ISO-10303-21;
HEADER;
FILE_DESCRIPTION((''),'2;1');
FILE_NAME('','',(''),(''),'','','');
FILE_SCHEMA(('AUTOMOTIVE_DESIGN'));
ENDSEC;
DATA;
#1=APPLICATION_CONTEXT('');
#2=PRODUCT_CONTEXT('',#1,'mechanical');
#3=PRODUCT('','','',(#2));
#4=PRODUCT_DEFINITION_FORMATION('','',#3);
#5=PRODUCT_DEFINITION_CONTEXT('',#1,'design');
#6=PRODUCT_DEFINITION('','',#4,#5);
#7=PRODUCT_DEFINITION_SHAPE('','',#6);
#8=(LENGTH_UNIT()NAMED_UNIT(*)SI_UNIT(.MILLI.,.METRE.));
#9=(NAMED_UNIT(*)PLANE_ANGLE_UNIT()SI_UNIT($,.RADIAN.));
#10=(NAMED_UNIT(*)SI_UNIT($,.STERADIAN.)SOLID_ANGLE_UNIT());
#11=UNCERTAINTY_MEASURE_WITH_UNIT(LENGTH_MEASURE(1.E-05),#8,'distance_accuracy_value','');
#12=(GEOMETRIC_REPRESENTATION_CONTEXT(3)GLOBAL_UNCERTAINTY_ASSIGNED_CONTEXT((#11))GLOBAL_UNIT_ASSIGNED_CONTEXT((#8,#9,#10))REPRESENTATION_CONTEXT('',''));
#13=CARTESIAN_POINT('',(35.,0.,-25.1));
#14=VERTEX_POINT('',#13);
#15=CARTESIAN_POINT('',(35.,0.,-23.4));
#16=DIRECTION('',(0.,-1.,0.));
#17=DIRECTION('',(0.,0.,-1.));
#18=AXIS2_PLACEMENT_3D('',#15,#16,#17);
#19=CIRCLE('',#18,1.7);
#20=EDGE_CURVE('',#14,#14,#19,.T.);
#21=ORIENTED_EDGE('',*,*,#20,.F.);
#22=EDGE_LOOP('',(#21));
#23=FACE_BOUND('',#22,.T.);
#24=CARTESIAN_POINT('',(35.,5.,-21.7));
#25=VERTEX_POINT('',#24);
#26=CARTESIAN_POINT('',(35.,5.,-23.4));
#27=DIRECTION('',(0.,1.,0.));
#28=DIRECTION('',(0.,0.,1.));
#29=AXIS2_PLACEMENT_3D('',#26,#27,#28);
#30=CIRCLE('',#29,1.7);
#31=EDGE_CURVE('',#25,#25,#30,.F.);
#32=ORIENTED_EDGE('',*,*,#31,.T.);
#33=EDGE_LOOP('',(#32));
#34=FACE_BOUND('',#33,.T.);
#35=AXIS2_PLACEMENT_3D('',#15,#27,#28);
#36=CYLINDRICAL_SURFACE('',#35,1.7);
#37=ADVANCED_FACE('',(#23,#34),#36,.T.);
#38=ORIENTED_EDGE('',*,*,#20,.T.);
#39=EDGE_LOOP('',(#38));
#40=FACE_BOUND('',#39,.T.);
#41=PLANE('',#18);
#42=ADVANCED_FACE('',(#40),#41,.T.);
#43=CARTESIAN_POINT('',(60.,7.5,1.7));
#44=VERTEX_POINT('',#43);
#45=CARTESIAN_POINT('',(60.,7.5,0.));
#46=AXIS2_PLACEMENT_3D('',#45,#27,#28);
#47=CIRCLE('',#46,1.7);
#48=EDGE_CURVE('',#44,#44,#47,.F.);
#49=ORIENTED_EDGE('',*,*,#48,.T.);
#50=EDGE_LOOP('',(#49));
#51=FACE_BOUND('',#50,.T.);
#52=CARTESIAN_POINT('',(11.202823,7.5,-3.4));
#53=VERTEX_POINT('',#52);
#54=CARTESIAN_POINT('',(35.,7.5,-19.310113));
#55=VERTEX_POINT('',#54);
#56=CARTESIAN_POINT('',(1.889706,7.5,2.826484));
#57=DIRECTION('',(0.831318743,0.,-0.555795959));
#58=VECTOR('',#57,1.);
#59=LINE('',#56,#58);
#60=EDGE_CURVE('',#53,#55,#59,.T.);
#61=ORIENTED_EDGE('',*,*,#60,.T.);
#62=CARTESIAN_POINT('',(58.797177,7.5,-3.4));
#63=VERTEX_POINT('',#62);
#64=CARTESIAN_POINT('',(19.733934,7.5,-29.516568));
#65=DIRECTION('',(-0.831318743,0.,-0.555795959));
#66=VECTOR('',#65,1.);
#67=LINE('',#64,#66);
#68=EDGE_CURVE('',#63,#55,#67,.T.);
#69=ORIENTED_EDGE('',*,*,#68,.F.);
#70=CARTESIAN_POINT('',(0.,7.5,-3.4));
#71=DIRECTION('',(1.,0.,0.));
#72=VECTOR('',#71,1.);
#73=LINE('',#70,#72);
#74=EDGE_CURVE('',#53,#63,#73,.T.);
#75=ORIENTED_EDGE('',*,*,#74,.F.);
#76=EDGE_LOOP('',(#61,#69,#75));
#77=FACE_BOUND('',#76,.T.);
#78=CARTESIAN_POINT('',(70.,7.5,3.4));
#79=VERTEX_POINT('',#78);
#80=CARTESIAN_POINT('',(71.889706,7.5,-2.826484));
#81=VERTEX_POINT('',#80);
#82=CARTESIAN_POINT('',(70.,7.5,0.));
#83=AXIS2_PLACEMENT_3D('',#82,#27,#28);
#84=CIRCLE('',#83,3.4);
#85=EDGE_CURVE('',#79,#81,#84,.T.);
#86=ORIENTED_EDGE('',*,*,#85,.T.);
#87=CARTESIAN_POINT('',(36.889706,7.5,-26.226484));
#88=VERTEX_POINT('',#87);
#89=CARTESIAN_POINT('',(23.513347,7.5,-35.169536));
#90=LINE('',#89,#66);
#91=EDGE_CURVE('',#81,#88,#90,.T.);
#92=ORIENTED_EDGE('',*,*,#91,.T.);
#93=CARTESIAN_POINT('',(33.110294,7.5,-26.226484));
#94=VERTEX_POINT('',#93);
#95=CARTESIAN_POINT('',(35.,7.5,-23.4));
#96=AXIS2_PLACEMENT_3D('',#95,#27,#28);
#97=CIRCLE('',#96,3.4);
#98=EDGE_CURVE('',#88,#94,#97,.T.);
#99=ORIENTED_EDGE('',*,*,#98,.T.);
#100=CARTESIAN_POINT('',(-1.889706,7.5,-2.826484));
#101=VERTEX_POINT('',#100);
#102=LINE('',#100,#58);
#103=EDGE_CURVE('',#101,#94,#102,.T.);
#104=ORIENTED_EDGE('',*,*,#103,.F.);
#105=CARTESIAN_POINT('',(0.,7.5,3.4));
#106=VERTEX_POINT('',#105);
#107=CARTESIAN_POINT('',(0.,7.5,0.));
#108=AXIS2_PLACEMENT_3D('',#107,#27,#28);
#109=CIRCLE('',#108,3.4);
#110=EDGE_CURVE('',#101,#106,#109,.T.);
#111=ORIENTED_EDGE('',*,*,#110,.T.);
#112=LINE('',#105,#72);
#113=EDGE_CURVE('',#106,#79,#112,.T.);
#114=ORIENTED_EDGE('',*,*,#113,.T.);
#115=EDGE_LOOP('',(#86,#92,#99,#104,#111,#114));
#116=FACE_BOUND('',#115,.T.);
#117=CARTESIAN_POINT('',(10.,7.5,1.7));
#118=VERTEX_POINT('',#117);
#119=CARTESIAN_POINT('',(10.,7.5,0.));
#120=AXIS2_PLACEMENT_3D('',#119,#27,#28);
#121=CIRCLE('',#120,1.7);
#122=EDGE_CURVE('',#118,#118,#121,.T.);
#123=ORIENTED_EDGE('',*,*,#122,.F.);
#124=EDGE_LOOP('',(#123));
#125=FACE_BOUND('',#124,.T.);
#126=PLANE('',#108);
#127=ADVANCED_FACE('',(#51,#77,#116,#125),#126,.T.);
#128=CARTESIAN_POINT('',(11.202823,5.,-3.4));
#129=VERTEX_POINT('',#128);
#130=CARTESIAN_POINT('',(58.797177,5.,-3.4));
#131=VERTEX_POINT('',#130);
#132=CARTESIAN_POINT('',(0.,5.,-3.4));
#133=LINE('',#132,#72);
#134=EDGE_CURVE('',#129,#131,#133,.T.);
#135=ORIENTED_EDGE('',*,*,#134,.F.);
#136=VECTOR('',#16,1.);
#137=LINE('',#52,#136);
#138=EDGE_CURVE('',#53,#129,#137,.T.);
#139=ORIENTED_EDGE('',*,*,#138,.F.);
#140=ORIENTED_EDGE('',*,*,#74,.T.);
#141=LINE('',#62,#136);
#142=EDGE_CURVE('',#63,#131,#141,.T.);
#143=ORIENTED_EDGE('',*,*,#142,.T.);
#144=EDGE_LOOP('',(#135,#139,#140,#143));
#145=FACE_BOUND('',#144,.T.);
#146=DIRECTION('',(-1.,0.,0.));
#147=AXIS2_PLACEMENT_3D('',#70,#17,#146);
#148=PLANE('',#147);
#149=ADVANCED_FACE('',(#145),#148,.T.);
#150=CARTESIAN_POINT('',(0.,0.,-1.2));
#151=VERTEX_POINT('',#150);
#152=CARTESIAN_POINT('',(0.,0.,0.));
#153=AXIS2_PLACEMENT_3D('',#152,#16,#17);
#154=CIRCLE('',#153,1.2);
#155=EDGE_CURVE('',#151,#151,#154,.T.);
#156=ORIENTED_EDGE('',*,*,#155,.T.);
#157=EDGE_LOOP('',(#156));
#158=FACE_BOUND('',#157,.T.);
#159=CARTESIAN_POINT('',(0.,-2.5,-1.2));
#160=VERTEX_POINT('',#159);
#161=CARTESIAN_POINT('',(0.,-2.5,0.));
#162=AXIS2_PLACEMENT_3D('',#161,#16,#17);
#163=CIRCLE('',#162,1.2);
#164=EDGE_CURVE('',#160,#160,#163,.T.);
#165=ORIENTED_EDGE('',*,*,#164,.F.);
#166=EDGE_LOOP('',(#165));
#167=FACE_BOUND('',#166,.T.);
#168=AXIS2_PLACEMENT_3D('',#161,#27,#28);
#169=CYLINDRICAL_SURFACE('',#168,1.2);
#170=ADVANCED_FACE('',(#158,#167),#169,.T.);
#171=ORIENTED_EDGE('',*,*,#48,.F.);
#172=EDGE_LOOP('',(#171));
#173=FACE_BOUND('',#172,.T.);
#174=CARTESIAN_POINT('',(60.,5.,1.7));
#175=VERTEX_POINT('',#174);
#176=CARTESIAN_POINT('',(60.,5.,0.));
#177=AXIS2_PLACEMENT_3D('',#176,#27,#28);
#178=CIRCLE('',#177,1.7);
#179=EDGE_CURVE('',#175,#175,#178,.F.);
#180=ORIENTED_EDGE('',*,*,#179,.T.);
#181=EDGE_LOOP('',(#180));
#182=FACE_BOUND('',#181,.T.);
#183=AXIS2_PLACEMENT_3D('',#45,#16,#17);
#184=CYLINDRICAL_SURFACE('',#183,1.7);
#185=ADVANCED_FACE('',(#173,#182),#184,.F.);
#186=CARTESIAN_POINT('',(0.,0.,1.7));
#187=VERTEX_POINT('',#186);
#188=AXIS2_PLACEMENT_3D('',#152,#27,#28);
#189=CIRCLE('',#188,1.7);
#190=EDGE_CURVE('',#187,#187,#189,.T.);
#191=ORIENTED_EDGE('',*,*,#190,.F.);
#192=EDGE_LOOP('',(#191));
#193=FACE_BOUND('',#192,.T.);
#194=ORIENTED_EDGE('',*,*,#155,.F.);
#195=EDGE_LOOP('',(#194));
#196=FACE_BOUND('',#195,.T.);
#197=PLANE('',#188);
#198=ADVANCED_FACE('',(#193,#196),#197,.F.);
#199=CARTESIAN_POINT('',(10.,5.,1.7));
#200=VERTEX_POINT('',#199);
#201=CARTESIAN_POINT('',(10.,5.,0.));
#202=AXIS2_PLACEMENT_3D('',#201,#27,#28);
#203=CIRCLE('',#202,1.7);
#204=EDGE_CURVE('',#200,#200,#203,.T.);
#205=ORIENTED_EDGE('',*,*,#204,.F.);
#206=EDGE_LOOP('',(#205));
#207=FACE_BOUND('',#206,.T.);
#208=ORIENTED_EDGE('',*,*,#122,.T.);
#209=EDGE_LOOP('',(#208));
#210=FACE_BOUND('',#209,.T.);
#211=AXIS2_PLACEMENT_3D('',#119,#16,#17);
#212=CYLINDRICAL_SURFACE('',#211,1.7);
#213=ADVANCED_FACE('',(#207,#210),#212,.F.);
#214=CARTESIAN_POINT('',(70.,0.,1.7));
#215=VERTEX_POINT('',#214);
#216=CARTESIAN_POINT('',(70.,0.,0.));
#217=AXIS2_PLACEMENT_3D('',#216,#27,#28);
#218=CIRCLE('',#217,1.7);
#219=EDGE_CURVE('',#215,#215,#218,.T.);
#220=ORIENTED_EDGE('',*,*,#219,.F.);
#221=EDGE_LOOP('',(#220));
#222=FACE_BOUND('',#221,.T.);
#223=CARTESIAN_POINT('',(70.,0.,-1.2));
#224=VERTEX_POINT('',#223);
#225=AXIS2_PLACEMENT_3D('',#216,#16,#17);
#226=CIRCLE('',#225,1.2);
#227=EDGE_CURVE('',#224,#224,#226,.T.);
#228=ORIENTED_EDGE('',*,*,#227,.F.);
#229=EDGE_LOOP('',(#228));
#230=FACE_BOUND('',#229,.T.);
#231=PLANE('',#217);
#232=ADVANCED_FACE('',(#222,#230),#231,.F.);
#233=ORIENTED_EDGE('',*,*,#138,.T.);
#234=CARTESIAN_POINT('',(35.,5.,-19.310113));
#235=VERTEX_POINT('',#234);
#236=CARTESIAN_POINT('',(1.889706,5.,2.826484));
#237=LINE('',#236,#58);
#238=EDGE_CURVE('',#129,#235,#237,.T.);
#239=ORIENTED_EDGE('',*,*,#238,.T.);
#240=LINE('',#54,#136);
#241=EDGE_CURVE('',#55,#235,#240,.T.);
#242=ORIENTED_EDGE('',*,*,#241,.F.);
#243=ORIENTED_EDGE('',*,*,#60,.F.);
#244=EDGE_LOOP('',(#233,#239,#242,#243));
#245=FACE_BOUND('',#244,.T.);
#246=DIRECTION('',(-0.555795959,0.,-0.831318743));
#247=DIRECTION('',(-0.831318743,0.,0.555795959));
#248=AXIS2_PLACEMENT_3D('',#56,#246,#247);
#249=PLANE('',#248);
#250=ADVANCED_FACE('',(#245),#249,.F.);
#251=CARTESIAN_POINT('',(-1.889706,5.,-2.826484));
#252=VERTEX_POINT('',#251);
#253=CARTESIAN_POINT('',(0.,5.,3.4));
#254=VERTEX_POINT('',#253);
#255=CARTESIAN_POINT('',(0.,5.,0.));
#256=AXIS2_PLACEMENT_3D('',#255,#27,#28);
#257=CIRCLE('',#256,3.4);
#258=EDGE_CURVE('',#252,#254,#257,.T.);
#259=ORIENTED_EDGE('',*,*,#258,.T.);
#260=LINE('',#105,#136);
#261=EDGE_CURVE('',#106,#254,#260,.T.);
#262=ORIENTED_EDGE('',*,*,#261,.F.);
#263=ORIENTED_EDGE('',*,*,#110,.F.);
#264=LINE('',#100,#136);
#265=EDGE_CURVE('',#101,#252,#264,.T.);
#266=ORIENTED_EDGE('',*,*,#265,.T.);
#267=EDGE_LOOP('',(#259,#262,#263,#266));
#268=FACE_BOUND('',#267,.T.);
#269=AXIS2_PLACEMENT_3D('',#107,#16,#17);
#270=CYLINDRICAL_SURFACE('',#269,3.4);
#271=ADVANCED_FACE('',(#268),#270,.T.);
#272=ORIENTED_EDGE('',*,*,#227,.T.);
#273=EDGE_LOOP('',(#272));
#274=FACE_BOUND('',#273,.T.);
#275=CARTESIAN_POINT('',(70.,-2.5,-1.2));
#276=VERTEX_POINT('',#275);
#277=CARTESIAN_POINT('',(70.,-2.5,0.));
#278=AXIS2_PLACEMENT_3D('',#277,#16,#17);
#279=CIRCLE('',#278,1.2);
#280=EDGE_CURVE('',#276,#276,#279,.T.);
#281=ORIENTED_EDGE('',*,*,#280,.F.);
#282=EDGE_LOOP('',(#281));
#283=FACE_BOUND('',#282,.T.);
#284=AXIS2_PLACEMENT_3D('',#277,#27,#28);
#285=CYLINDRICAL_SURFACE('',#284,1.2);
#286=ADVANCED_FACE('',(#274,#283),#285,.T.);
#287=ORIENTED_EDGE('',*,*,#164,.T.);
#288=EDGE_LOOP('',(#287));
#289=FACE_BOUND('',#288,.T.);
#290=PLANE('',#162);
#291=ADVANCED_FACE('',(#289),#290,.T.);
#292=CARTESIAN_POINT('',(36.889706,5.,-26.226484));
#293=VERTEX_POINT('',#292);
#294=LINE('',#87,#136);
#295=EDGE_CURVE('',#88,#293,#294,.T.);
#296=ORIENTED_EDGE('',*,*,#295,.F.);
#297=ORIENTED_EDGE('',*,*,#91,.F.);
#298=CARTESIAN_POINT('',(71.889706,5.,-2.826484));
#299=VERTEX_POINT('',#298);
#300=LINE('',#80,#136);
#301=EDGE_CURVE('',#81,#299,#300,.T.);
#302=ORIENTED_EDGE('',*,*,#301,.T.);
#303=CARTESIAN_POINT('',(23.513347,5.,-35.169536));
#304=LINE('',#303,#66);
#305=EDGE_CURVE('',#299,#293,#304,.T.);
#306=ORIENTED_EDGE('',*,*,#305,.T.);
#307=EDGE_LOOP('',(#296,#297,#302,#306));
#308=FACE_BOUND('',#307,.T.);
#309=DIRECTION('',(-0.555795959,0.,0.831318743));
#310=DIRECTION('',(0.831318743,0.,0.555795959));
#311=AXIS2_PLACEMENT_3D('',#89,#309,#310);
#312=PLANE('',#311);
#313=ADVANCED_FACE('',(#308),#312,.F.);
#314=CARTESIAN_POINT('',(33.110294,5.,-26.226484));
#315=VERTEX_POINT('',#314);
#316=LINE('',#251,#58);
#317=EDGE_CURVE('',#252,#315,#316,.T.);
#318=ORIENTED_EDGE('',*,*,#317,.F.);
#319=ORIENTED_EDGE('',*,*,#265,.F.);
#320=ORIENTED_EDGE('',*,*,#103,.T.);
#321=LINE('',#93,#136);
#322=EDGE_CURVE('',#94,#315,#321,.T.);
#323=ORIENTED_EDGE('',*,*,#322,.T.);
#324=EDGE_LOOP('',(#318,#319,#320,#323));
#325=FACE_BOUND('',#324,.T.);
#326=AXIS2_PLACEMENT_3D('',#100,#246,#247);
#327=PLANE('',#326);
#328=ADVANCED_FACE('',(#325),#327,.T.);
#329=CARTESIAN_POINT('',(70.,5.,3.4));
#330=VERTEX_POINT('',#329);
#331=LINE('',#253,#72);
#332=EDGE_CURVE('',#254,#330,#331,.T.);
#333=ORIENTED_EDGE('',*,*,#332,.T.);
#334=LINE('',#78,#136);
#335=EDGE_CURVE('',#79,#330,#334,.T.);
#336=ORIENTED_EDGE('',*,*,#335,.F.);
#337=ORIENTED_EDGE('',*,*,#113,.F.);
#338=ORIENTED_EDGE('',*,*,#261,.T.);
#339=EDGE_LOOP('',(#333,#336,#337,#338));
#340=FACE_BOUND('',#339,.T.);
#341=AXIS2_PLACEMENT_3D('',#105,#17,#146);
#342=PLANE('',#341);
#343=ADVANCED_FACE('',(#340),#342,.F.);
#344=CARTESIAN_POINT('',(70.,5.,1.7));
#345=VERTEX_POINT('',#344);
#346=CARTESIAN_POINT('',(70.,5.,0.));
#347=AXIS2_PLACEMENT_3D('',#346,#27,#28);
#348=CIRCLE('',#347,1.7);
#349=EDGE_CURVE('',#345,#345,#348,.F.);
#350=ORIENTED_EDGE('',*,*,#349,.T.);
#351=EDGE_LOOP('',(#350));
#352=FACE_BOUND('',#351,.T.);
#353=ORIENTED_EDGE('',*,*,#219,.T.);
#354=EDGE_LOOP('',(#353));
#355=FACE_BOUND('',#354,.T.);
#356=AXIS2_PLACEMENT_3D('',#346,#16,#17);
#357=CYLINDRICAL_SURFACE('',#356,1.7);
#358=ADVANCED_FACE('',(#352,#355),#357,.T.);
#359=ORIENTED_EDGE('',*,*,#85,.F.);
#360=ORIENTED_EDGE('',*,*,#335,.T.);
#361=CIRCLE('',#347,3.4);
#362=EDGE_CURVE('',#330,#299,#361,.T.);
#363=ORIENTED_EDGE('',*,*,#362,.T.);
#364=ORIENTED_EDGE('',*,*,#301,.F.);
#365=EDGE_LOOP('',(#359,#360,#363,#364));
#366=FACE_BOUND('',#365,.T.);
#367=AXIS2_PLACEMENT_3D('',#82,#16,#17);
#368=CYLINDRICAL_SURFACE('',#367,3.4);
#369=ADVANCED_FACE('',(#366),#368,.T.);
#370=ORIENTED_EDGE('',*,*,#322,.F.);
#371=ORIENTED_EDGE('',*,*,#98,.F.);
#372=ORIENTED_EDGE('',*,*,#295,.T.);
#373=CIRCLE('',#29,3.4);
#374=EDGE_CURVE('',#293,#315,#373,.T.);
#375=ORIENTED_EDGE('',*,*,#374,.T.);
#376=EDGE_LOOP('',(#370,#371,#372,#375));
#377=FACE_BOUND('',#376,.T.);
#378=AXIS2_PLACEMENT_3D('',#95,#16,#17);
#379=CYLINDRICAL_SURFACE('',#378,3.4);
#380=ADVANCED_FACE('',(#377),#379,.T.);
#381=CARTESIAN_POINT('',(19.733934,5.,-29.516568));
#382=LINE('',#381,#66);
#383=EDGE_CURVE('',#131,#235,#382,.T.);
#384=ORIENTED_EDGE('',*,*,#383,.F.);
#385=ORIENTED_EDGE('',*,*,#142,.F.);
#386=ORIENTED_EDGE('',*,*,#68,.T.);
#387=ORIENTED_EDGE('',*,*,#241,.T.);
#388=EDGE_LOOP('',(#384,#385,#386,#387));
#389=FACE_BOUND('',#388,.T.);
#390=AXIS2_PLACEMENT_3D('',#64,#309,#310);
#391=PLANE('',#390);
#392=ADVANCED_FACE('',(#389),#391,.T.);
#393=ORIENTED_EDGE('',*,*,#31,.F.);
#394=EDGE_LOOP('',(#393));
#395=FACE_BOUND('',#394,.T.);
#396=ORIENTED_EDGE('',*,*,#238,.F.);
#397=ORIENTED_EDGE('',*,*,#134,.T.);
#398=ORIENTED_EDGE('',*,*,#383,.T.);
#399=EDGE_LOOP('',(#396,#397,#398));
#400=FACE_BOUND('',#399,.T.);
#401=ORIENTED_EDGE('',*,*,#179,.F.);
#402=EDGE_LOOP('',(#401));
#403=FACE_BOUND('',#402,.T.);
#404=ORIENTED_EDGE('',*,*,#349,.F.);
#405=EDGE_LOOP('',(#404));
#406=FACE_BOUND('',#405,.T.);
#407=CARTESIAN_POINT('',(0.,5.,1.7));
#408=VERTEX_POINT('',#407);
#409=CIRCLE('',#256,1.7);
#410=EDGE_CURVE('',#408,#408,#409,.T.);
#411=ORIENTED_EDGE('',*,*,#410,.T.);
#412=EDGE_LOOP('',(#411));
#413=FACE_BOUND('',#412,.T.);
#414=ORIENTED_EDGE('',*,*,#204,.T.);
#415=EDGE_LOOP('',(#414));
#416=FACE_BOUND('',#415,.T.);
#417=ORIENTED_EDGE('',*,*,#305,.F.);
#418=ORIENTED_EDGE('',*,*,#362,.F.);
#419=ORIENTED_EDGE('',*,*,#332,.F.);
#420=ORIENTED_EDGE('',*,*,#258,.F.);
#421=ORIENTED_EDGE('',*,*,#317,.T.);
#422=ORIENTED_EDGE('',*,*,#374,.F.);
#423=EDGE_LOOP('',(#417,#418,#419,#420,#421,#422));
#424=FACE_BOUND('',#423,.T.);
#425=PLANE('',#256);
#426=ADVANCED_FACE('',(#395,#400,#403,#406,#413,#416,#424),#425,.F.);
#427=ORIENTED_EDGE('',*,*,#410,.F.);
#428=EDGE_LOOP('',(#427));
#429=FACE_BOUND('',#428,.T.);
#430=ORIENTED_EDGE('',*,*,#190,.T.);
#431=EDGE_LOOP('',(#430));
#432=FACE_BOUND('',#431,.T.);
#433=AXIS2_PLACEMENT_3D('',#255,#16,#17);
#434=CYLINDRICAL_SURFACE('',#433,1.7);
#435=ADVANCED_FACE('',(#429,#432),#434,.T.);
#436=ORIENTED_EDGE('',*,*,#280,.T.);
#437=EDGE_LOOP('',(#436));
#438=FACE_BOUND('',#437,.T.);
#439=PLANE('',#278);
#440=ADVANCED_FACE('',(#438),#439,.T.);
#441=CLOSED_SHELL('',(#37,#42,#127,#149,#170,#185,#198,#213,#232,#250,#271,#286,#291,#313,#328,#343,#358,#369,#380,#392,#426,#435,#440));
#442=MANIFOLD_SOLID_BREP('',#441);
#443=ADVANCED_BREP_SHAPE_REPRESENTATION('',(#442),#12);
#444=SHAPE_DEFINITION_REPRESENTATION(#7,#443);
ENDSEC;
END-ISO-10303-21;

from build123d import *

# Parameters (mm, degrees)
SKETCH1_R             = 1.7
BOSS_EXTRUDE1_DEPTH   = 5
BOSS_EXTRUDE1_2_DEPTH = 5
SKETCH2_R             = 1.7
BOSS_EXTRUDE5_DEPTH   = 2.5
SKETCH3_R             = 1.2
BOSS_EXTRUDE6_DEPTH   = 2.5
SKETCH4_R             = 1.7
BOSS_EXTRUDE7_DEPTH   = 5


with BuildPart() as part:
    # Sketch1 → Boss-Extrude1 (new body)
    with BuildSketch(Plane(origin=(0, 0, 0), x_dir=(1, 0, 0), z_dir=(0, 1, 0))):
        with Locations(Location((0, 0, 0), (0, 0, 270))):
            Circle(SKETCH1_R)
    extrude(amount=BOSS_EXTRUDE1_DEPTH)



with BuildPart() as body_2:
    # Sketch1 → Boss-Extrude1 2 (new body)
    with BuildSketch(Plane(origin=(0, 0, 0), x_dir=(1, 0, 0), z_dir=(0, 1, 0))):
        with Locations(Location((70, 0, 0), (0, 0, 270))):
            Circle(SKETCH1_R)
    extrude(amount=BOSS_EXTRUDE1_2_DEPTH)


with BuildPart() as part_1:
    add(part.part)

    add(body_2.part)  # Boss-Extrude5 merges body 2
    # Sketch2 → Boss-Extrude5 (add)
    # profile 1 of 4: a face of its own
    with BuildSketch(Plane(origin=(0, 5, 0), x_dir=(1, 0, 0), z_dir=(0, 1, 0))):
        with BuildLine():
            ThreePointArc((-1.889706262, 2.826483725), (-0.987409575, 3.253463129), (0, 3.4))
            Line((0, 3.4), (11.202822944, 3.4))
            Line((11.202822944, 3.4), (35, 19.310112661))
            Line((35, 19.310112661), (35, 23.4))
            Line((35, 23.4), (35, 26.8))
            ThreePointArc((35, 26.8), (34.012590425, 26.653463129), (33.110293738, 26.226483725))
            Line((33.110293738, 26.226483725), (-1.889706262, 2.826483725))
        make_face()
    # profile 2 of 4: a face of its own
    with BuildSketch(Plane(origin=(0, 5, 0), x_dir=(1, 0, 0), z_dir=(0, 1, 0))):
        with BuildLine():
            Line((0, -3.4), (70, -3.4))
            ThreePointArc((70, -3.4), (73.4, 0), (70, 3.4))
            Line((70, 3.4), (0, 3.4))
            ThreePointArc((0, 3.4), (-3.4, 0), (0, -3.4))
        make_face()
        with Locations(Location((10, 0, 0), (0, 0, 270))):
            Circle(SKETCH2_R, mode=Mode.SUBTRACT)
        with Locations(Location((60, 0, 0), (0, 0, 270))):
            Circle(SKETCH2_R, mode=Mode.SUBTRACT)
        with Locations(Location((0, 0, 0), (0, 0, 270))):
            Circle(SKETCH2_R, mode=Mode.SUBTRACT)
    # profile 3 of 4: a face of its own
    with BuildSketch(Plane(origin=(0, 5, 0), x_dir=(1, 0, 0), z_dir=(0, 1, 0))):
        with Locations(Location((0, 0, 0), (0, 0, 270))):
            Circle(SKETCH2_R)
    # profile 4 of 4: a face of its own
    with BuildSketch(Plane(origin=(0, 5, 0), x_dir=(1, 0, 0), z_dir=(0, 1, 0))):
        with BuildLine():
            Line((35, 23.4), (35, 19.310112661))
            Line((35, 19.310112661), (58.797177056, 3.4))
            Line((58.797177056, 3.4), (70, 3.4))
            ThreePointArc((70, 3.4), (70.987409575, 3.253463129), (71.889706262, 2.826483725))
            Line((71.889706262, 2.826483725), (36.889706262, 26.226483725))
            ThreePointArc((36.889706262, 26.226483725), (35.987409575, 26.653463129), (35, 26.8))
            Line((35, 26.8), (35, 23.4))
        make_face()
    extrude(amount=BOSS_EXTRUDE5_DEPTH)

    # Sketch3 → Boss-Extrude6 (add)
    with BuildSketch(Plane.XZ):
        with Locations(Location((0, 0, 0), (0, 0, 270))):
            Circle(SKETCH3_R)
        with Locations(Location((70, 0, 0), (0, 0, 270))):
            Circle(SKETCH3_R)
    extrude(amount=BOSS_EXTRUDE6_DEPTH)

    # Sketch4 → Boss-Extrude7 (add)
    with BuildSketch(Plane.XZ.offset(-5)):
        with Locations(Location((35, -23.4, 0), (0, 0, 90))):
            Circle(SKETCH4_R)
    extrude(amount=BOSS_EXTRUDE7_DEPTH)


solid = part_1.part
